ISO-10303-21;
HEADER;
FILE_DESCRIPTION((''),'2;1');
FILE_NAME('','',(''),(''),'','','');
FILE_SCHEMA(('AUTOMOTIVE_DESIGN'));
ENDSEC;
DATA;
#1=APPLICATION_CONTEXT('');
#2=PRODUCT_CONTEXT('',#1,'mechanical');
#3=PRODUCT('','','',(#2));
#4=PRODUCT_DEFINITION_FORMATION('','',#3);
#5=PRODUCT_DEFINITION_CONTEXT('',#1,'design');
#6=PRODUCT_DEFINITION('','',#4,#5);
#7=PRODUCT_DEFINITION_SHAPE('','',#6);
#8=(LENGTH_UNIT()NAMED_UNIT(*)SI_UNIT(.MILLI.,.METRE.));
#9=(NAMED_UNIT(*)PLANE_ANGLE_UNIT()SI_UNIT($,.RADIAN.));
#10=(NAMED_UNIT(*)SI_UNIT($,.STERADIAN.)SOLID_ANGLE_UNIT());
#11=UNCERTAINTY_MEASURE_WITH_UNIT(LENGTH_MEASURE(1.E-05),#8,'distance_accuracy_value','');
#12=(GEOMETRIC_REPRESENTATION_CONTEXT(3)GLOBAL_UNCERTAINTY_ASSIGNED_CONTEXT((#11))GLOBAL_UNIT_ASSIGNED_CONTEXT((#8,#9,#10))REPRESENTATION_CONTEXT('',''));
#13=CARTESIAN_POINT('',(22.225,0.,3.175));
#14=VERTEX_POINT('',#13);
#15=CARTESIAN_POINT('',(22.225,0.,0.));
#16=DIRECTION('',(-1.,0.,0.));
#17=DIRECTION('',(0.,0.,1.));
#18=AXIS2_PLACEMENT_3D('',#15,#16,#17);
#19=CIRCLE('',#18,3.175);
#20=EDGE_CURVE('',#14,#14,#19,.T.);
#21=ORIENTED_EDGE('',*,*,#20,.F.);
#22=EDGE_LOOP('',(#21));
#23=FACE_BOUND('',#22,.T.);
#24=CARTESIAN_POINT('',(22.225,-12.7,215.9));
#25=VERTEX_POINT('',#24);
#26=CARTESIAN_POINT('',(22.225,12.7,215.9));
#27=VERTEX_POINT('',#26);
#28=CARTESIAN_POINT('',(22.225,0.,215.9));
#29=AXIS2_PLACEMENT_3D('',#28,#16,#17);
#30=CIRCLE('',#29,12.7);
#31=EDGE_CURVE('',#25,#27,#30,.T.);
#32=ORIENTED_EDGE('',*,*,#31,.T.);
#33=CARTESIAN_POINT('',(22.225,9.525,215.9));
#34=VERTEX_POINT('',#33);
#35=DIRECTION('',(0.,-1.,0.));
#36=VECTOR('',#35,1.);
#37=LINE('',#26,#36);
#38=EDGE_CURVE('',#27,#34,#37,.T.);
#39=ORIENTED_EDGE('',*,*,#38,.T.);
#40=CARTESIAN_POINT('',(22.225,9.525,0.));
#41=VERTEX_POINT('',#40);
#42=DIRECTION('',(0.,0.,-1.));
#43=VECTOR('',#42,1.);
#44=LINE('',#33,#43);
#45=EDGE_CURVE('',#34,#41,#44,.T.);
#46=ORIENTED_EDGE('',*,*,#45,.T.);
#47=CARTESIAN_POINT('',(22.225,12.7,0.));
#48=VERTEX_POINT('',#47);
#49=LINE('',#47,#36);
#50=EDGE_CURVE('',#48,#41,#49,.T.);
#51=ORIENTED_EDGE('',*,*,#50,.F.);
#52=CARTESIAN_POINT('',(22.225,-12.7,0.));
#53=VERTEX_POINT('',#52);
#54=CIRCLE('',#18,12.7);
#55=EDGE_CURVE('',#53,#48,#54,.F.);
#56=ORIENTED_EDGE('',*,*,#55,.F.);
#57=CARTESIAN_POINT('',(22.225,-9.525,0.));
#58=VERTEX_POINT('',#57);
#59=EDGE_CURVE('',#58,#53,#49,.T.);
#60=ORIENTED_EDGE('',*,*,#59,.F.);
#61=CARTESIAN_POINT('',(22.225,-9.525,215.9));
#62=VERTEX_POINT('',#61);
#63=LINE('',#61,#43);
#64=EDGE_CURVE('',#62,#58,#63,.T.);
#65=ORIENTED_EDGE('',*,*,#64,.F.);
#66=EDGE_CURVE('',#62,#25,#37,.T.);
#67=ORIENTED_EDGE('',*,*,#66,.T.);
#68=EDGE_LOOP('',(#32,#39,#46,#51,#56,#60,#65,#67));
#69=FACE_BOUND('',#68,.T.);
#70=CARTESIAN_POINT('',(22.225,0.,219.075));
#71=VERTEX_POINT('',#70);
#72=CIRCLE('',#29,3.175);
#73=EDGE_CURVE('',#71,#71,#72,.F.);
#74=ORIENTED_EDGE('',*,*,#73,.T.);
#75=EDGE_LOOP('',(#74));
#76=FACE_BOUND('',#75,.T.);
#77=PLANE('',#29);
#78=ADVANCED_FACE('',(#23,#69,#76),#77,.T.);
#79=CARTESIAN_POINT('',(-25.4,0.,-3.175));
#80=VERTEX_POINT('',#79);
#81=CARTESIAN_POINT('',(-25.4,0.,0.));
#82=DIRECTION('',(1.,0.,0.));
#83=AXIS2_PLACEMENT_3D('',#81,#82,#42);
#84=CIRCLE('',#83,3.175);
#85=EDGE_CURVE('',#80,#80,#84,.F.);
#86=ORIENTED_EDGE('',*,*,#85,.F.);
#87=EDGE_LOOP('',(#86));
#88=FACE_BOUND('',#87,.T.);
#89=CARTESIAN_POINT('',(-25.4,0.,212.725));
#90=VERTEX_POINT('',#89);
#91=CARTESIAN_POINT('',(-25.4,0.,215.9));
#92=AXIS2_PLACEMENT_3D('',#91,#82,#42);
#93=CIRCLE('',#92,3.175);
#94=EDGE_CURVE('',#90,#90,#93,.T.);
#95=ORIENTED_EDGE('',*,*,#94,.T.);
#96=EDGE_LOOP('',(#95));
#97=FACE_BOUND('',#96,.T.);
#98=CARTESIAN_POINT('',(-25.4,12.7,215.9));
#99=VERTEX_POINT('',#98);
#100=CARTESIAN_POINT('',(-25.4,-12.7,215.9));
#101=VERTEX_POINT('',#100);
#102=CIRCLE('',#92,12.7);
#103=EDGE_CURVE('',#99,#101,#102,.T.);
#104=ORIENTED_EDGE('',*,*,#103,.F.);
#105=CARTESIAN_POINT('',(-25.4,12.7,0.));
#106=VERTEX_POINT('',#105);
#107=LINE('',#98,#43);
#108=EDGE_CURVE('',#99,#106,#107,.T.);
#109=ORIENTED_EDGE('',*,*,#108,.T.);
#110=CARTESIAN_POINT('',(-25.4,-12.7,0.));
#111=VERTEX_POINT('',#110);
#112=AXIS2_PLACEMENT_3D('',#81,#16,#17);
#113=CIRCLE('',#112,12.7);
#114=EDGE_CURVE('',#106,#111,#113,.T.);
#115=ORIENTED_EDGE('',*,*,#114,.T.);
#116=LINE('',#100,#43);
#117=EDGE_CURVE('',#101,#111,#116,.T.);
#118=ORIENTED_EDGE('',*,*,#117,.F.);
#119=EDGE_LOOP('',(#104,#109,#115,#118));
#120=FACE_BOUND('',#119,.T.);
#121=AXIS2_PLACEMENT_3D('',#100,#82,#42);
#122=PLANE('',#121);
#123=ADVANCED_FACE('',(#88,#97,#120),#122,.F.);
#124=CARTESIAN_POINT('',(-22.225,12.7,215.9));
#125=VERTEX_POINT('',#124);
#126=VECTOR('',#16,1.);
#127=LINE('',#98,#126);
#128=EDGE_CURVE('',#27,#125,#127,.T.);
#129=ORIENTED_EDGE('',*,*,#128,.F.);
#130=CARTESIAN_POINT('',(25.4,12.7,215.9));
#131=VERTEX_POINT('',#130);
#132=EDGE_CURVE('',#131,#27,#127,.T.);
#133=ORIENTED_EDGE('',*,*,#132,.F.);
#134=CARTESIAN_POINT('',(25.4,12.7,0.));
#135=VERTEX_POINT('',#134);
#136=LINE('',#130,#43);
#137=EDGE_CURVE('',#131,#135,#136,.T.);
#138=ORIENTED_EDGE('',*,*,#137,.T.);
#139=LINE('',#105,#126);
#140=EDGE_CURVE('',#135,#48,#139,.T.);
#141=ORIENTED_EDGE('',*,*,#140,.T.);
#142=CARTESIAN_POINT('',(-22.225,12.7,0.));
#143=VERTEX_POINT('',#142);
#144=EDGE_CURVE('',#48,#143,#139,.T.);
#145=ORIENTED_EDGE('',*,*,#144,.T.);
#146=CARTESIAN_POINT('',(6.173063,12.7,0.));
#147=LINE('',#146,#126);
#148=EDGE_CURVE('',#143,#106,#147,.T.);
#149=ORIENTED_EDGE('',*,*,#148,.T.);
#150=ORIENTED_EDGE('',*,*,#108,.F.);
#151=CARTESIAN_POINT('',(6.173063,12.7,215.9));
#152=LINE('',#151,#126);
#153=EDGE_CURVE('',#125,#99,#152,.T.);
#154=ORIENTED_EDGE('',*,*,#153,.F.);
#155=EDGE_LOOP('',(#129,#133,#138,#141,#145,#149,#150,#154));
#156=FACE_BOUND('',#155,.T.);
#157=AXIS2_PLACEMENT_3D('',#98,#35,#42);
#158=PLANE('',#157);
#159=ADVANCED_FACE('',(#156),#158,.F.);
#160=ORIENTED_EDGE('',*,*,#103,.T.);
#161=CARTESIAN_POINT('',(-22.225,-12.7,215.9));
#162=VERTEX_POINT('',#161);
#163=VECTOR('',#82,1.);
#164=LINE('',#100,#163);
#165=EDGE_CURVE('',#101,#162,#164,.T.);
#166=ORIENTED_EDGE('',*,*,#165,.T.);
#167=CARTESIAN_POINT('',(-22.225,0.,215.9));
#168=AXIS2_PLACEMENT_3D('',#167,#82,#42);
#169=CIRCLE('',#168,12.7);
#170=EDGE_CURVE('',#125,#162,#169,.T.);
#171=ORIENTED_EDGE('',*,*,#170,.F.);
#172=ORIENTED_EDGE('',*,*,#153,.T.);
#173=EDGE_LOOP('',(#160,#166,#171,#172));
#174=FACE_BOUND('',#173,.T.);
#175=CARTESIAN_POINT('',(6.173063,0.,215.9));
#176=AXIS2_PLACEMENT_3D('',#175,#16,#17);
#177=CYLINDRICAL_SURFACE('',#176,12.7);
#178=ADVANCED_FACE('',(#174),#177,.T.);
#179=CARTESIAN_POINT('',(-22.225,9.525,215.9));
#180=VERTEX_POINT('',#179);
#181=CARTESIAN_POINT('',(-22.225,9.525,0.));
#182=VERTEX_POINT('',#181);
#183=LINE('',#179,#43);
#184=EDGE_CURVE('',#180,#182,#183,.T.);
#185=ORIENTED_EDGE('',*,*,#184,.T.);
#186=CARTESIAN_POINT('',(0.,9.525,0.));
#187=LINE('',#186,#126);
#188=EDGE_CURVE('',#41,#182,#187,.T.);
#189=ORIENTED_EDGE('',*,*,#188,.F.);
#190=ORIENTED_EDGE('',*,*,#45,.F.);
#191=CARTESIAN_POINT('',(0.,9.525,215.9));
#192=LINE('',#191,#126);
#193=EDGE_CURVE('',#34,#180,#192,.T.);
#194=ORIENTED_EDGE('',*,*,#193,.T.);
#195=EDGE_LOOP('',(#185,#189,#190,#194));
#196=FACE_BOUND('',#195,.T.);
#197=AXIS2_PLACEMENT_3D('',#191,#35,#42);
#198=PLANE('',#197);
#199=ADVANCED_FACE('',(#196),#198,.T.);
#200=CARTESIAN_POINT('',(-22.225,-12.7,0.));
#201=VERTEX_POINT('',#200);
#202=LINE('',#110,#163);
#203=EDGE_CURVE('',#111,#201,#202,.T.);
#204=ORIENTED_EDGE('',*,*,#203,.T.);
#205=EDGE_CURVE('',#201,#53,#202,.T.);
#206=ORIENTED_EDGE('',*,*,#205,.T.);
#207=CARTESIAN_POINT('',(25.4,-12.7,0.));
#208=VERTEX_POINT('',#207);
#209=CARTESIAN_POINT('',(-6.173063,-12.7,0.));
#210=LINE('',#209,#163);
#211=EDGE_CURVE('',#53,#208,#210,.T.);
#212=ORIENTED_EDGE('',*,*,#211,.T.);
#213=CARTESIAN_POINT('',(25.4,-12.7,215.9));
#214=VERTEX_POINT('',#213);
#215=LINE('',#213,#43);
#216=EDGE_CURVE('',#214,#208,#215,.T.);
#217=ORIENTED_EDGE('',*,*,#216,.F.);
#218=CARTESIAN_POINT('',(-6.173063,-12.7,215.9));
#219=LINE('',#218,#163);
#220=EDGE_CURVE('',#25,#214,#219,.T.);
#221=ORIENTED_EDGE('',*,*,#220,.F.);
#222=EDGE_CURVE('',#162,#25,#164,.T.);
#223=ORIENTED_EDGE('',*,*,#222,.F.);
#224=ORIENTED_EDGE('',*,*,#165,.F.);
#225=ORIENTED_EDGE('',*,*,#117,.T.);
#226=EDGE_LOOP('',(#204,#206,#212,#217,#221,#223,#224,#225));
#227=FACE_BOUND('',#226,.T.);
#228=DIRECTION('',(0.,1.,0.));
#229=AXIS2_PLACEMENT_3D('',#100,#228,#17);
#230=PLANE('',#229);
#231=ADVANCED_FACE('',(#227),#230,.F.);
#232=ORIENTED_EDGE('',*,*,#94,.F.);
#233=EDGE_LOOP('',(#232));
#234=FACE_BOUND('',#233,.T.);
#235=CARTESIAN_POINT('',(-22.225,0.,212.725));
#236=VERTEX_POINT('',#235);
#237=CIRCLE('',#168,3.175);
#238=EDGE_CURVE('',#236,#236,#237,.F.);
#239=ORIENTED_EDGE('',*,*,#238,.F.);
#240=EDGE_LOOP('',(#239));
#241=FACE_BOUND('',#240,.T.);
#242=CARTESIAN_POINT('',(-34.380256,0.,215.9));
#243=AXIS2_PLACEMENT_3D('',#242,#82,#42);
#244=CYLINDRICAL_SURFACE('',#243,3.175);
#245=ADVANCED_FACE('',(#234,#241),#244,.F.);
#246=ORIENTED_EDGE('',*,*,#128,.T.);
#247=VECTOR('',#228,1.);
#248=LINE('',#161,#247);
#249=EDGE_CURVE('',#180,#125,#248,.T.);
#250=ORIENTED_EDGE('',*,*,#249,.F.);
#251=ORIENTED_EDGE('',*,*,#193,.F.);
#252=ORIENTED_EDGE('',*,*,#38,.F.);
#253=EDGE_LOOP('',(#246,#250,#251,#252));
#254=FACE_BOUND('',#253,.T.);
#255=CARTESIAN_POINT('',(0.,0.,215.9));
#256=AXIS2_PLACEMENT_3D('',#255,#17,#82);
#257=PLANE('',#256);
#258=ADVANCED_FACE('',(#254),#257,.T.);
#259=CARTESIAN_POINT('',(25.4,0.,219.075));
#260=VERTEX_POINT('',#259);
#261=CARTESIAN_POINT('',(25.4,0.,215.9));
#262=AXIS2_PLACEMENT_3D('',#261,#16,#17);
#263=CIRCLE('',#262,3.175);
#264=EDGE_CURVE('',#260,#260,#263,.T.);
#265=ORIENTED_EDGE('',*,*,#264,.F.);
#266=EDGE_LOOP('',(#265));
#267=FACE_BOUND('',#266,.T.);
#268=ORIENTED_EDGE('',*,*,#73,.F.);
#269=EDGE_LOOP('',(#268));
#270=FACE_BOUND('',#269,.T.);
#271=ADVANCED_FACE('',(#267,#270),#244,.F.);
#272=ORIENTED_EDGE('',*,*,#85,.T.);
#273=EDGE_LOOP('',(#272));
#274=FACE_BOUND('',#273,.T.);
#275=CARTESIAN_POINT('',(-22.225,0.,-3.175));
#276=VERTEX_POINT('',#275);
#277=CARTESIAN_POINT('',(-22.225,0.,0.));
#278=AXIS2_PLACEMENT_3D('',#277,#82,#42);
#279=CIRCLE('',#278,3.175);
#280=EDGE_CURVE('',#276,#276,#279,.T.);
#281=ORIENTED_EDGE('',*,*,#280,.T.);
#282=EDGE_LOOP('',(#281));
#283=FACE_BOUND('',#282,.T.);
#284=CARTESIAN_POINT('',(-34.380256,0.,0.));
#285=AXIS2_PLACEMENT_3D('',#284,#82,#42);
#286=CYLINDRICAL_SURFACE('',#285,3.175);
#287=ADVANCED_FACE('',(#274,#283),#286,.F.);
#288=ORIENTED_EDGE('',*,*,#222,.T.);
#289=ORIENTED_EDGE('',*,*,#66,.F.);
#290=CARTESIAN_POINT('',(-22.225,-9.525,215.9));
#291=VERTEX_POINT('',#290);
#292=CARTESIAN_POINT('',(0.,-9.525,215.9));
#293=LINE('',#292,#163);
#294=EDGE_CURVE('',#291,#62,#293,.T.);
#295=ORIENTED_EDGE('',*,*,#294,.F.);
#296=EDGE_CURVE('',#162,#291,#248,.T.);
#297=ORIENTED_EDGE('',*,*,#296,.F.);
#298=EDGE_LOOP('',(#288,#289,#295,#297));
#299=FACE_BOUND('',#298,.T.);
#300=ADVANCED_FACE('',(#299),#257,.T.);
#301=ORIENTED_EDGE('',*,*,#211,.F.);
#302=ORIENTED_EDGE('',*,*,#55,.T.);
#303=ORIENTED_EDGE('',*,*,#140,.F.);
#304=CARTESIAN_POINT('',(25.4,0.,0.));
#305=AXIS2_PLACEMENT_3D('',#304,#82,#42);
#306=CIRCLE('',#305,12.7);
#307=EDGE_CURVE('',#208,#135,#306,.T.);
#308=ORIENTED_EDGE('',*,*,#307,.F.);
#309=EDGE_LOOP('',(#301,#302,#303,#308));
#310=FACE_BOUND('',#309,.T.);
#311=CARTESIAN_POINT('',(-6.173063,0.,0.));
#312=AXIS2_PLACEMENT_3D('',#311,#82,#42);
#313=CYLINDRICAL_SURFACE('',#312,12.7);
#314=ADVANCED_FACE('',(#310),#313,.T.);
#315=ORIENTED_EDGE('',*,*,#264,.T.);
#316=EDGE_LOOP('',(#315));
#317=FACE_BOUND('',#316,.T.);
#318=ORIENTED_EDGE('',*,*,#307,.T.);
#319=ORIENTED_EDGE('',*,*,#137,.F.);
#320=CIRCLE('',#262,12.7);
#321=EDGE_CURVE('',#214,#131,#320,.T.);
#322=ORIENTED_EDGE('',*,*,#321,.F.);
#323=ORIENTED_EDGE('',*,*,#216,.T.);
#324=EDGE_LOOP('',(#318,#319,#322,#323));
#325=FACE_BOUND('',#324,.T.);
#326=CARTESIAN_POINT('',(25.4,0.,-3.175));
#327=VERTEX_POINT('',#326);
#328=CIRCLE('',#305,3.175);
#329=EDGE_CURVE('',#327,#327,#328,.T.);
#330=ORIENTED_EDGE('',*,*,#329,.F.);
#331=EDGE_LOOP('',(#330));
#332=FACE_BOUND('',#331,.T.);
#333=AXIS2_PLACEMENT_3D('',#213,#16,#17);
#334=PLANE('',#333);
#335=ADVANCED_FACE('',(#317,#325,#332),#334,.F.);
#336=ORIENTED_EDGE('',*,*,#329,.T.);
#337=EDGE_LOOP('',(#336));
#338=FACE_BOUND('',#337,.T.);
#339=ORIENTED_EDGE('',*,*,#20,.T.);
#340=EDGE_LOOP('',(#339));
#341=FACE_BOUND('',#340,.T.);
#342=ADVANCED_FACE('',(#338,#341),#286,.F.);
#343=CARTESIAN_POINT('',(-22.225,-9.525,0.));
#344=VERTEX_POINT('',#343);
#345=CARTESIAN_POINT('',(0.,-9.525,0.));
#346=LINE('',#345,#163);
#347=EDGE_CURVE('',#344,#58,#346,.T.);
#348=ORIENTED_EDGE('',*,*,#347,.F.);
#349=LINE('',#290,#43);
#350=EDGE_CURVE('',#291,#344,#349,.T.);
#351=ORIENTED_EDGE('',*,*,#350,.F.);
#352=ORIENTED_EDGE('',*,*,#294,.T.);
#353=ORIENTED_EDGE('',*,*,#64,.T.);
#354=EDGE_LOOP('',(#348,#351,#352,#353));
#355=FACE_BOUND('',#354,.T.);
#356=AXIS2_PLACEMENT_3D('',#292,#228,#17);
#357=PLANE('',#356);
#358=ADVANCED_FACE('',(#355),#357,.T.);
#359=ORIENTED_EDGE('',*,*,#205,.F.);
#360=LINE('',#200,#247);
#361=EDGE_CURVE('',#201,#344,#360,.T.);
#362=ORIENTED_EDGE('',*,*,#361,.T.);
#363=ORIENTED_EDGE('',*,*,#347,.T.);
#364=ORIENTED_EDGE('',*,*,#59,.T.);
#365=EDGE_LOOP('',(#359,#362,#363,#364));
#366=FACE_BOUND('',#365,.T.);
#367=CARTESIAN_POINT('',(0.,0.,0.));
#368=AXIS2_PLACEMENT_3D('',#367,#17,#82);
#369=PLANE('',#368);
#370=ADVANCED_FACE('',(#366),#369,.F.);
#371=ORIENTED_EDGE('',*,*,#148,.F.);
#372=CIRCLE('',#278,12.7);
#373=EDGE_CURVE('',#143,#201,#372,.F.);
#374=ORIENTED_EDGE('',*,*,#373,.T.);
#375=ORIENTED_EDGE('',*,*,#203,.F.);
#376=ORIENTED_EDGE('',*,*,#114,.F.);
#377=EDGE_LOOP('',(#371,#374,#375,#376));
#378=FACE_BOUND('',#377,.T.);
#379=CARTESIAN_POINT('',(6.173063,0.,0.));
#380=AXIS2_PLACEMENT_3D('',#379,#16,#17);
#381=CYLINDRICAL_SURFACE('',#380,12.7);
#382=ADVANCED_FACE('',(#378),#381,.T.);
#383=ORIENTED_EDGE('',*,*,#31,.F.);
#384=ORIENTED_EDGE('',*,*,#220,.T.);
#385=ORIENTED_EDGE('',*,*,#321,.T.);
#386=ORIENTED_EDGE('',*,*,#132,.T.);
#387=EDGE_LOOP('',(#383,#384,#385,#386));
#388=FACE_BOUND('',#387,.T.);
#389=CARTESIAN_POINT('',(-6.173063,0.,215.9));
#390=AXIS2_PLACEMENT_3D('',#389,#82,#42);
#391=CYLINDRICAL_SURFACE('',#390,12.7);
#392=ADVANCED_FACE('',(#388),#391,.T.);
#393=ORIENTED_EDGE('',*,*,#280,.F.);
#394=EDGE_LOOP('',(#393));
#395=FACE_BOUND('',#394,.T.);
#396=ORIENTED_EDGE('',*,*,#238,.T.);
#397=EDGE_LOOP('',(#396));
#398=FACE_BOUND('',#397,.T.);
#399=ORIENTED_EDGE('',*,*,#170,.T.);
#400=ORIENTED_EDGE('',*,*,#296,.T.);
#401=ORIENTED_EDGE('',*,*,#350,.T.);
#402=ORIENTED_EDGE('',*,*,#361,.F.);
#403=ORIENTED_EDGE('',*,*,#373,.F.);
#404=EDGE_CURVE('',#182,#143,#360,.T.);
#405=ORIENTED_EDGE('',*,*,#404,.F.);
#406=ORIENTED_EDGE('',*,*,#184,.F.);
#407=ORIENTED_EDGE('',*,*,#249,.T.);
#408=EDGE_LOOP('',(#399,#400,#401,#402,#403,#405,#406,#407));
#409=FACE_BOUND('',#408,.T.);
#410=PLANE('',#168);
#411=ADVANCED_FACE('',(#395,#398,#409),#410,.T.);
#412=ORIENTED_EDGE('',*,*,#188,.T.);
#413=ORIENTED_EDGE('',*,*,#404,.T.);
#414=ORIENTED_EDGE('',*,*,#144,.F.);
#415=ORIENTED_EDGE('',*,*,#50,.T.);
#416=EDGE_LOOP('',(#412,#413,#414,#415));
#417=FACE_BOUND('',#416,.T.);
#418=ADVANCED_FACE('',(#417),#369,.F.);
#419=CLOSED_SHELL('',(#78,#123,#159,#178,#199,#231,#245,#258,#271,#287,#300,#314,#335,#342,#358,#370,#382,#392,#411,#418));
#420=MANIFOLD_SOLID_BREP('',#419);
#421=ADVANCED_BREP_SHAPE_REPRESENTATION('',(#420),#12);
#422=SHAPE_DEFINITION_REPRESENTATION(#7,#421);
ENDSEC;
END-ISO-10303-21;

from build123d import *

# Parameters (mm, degrees)
LINK2OUTERLIP_W     = 50.8
LINK2OUTERLIP_H     = 25.4
LINK2OUTERLIP_W_2   = 44.45
LINK2OUTERLIP_H_2   = 19.05
EXTRUDE_THIN1_DEPTH = 215.9
BOSS_EXTRUDE1_DEPTH = 3.175
BOSS_EXTRUDE2_DEPTH = 3.175
SKETCH4_R           = 3.175
CUT_EXTRUDE1_DEPTH  = 50.8


with BuildPart() as part:
    # Link2OuterLip → Extrude-Thin1 (new body)
    with BuildSketch(Plane.XY):
        Rectangle(LINK2OUTERLIP_W, LINK2OUTERLIP_H)
        Rectangle(LINK2OUTERLIP_W_2, LINK2OUTERLIP_H_2, mode=Mode.SUBTRACT)
    extrude(amount=EXTRUDE_THIN1_DEPTH)

    # Sketch2 → Boss-Extrude1 (add)
    with BuildSketch(Plane.ZY.offset(25.4)):
        with BuildLine():
            Line((0, -12.7), (0, 12.7))
            ThreePointArc((0, 12.7), (-12.7, 0), (0, -12.7))
        make_face()
    boss_extrude1 = extrude(amount=-BOSS_EXTRUDE1_DEPTH)

    # Sketch3 → Boss-Extrude2 (add)
    with BuildSketch(Plane(origin=(25.4, 0, 0), x_dir=(0, 0, -1), z_dir=(1, 0, 0))):
        with BuildLine():
            Line((0, 12.7), (0, -12.7))
            ThreePointArc((0, -12.7), (12.7, 0), (0, 12.7))
        make_face()
    boss_extrude2 = extrude(amount=-BOSS_EXTRUDE2_DEPTH)

    # Sketch4 → Cut-Extrude1 (cut)
    with BuildSketch(Plane(origin=(25.4, 0, 0), x_dir=(0, 0, -1), z_dir=(1, 0, 0))):
        Circle(SKETCH4_R)
    cut_extrude1 = extrude(amount=-CUT_EXTRUDE1_DEPTH, mode=Mode.SUBTRACT)

    # Mirror1: Boss-Extrude1, Boss-Extrude2, Cut-Extrude1 across plane
    add(boss_extrude1.mirror(Plane.XY.offset(107.95)))
    add(boss_extrude2.mirror(Plane.XY.offset(107.95)))
    add(cut_extrude1.mirror(Plane.XY.offset(107.95)), mode=Mode.SUBTRACT)


solid = part.part
